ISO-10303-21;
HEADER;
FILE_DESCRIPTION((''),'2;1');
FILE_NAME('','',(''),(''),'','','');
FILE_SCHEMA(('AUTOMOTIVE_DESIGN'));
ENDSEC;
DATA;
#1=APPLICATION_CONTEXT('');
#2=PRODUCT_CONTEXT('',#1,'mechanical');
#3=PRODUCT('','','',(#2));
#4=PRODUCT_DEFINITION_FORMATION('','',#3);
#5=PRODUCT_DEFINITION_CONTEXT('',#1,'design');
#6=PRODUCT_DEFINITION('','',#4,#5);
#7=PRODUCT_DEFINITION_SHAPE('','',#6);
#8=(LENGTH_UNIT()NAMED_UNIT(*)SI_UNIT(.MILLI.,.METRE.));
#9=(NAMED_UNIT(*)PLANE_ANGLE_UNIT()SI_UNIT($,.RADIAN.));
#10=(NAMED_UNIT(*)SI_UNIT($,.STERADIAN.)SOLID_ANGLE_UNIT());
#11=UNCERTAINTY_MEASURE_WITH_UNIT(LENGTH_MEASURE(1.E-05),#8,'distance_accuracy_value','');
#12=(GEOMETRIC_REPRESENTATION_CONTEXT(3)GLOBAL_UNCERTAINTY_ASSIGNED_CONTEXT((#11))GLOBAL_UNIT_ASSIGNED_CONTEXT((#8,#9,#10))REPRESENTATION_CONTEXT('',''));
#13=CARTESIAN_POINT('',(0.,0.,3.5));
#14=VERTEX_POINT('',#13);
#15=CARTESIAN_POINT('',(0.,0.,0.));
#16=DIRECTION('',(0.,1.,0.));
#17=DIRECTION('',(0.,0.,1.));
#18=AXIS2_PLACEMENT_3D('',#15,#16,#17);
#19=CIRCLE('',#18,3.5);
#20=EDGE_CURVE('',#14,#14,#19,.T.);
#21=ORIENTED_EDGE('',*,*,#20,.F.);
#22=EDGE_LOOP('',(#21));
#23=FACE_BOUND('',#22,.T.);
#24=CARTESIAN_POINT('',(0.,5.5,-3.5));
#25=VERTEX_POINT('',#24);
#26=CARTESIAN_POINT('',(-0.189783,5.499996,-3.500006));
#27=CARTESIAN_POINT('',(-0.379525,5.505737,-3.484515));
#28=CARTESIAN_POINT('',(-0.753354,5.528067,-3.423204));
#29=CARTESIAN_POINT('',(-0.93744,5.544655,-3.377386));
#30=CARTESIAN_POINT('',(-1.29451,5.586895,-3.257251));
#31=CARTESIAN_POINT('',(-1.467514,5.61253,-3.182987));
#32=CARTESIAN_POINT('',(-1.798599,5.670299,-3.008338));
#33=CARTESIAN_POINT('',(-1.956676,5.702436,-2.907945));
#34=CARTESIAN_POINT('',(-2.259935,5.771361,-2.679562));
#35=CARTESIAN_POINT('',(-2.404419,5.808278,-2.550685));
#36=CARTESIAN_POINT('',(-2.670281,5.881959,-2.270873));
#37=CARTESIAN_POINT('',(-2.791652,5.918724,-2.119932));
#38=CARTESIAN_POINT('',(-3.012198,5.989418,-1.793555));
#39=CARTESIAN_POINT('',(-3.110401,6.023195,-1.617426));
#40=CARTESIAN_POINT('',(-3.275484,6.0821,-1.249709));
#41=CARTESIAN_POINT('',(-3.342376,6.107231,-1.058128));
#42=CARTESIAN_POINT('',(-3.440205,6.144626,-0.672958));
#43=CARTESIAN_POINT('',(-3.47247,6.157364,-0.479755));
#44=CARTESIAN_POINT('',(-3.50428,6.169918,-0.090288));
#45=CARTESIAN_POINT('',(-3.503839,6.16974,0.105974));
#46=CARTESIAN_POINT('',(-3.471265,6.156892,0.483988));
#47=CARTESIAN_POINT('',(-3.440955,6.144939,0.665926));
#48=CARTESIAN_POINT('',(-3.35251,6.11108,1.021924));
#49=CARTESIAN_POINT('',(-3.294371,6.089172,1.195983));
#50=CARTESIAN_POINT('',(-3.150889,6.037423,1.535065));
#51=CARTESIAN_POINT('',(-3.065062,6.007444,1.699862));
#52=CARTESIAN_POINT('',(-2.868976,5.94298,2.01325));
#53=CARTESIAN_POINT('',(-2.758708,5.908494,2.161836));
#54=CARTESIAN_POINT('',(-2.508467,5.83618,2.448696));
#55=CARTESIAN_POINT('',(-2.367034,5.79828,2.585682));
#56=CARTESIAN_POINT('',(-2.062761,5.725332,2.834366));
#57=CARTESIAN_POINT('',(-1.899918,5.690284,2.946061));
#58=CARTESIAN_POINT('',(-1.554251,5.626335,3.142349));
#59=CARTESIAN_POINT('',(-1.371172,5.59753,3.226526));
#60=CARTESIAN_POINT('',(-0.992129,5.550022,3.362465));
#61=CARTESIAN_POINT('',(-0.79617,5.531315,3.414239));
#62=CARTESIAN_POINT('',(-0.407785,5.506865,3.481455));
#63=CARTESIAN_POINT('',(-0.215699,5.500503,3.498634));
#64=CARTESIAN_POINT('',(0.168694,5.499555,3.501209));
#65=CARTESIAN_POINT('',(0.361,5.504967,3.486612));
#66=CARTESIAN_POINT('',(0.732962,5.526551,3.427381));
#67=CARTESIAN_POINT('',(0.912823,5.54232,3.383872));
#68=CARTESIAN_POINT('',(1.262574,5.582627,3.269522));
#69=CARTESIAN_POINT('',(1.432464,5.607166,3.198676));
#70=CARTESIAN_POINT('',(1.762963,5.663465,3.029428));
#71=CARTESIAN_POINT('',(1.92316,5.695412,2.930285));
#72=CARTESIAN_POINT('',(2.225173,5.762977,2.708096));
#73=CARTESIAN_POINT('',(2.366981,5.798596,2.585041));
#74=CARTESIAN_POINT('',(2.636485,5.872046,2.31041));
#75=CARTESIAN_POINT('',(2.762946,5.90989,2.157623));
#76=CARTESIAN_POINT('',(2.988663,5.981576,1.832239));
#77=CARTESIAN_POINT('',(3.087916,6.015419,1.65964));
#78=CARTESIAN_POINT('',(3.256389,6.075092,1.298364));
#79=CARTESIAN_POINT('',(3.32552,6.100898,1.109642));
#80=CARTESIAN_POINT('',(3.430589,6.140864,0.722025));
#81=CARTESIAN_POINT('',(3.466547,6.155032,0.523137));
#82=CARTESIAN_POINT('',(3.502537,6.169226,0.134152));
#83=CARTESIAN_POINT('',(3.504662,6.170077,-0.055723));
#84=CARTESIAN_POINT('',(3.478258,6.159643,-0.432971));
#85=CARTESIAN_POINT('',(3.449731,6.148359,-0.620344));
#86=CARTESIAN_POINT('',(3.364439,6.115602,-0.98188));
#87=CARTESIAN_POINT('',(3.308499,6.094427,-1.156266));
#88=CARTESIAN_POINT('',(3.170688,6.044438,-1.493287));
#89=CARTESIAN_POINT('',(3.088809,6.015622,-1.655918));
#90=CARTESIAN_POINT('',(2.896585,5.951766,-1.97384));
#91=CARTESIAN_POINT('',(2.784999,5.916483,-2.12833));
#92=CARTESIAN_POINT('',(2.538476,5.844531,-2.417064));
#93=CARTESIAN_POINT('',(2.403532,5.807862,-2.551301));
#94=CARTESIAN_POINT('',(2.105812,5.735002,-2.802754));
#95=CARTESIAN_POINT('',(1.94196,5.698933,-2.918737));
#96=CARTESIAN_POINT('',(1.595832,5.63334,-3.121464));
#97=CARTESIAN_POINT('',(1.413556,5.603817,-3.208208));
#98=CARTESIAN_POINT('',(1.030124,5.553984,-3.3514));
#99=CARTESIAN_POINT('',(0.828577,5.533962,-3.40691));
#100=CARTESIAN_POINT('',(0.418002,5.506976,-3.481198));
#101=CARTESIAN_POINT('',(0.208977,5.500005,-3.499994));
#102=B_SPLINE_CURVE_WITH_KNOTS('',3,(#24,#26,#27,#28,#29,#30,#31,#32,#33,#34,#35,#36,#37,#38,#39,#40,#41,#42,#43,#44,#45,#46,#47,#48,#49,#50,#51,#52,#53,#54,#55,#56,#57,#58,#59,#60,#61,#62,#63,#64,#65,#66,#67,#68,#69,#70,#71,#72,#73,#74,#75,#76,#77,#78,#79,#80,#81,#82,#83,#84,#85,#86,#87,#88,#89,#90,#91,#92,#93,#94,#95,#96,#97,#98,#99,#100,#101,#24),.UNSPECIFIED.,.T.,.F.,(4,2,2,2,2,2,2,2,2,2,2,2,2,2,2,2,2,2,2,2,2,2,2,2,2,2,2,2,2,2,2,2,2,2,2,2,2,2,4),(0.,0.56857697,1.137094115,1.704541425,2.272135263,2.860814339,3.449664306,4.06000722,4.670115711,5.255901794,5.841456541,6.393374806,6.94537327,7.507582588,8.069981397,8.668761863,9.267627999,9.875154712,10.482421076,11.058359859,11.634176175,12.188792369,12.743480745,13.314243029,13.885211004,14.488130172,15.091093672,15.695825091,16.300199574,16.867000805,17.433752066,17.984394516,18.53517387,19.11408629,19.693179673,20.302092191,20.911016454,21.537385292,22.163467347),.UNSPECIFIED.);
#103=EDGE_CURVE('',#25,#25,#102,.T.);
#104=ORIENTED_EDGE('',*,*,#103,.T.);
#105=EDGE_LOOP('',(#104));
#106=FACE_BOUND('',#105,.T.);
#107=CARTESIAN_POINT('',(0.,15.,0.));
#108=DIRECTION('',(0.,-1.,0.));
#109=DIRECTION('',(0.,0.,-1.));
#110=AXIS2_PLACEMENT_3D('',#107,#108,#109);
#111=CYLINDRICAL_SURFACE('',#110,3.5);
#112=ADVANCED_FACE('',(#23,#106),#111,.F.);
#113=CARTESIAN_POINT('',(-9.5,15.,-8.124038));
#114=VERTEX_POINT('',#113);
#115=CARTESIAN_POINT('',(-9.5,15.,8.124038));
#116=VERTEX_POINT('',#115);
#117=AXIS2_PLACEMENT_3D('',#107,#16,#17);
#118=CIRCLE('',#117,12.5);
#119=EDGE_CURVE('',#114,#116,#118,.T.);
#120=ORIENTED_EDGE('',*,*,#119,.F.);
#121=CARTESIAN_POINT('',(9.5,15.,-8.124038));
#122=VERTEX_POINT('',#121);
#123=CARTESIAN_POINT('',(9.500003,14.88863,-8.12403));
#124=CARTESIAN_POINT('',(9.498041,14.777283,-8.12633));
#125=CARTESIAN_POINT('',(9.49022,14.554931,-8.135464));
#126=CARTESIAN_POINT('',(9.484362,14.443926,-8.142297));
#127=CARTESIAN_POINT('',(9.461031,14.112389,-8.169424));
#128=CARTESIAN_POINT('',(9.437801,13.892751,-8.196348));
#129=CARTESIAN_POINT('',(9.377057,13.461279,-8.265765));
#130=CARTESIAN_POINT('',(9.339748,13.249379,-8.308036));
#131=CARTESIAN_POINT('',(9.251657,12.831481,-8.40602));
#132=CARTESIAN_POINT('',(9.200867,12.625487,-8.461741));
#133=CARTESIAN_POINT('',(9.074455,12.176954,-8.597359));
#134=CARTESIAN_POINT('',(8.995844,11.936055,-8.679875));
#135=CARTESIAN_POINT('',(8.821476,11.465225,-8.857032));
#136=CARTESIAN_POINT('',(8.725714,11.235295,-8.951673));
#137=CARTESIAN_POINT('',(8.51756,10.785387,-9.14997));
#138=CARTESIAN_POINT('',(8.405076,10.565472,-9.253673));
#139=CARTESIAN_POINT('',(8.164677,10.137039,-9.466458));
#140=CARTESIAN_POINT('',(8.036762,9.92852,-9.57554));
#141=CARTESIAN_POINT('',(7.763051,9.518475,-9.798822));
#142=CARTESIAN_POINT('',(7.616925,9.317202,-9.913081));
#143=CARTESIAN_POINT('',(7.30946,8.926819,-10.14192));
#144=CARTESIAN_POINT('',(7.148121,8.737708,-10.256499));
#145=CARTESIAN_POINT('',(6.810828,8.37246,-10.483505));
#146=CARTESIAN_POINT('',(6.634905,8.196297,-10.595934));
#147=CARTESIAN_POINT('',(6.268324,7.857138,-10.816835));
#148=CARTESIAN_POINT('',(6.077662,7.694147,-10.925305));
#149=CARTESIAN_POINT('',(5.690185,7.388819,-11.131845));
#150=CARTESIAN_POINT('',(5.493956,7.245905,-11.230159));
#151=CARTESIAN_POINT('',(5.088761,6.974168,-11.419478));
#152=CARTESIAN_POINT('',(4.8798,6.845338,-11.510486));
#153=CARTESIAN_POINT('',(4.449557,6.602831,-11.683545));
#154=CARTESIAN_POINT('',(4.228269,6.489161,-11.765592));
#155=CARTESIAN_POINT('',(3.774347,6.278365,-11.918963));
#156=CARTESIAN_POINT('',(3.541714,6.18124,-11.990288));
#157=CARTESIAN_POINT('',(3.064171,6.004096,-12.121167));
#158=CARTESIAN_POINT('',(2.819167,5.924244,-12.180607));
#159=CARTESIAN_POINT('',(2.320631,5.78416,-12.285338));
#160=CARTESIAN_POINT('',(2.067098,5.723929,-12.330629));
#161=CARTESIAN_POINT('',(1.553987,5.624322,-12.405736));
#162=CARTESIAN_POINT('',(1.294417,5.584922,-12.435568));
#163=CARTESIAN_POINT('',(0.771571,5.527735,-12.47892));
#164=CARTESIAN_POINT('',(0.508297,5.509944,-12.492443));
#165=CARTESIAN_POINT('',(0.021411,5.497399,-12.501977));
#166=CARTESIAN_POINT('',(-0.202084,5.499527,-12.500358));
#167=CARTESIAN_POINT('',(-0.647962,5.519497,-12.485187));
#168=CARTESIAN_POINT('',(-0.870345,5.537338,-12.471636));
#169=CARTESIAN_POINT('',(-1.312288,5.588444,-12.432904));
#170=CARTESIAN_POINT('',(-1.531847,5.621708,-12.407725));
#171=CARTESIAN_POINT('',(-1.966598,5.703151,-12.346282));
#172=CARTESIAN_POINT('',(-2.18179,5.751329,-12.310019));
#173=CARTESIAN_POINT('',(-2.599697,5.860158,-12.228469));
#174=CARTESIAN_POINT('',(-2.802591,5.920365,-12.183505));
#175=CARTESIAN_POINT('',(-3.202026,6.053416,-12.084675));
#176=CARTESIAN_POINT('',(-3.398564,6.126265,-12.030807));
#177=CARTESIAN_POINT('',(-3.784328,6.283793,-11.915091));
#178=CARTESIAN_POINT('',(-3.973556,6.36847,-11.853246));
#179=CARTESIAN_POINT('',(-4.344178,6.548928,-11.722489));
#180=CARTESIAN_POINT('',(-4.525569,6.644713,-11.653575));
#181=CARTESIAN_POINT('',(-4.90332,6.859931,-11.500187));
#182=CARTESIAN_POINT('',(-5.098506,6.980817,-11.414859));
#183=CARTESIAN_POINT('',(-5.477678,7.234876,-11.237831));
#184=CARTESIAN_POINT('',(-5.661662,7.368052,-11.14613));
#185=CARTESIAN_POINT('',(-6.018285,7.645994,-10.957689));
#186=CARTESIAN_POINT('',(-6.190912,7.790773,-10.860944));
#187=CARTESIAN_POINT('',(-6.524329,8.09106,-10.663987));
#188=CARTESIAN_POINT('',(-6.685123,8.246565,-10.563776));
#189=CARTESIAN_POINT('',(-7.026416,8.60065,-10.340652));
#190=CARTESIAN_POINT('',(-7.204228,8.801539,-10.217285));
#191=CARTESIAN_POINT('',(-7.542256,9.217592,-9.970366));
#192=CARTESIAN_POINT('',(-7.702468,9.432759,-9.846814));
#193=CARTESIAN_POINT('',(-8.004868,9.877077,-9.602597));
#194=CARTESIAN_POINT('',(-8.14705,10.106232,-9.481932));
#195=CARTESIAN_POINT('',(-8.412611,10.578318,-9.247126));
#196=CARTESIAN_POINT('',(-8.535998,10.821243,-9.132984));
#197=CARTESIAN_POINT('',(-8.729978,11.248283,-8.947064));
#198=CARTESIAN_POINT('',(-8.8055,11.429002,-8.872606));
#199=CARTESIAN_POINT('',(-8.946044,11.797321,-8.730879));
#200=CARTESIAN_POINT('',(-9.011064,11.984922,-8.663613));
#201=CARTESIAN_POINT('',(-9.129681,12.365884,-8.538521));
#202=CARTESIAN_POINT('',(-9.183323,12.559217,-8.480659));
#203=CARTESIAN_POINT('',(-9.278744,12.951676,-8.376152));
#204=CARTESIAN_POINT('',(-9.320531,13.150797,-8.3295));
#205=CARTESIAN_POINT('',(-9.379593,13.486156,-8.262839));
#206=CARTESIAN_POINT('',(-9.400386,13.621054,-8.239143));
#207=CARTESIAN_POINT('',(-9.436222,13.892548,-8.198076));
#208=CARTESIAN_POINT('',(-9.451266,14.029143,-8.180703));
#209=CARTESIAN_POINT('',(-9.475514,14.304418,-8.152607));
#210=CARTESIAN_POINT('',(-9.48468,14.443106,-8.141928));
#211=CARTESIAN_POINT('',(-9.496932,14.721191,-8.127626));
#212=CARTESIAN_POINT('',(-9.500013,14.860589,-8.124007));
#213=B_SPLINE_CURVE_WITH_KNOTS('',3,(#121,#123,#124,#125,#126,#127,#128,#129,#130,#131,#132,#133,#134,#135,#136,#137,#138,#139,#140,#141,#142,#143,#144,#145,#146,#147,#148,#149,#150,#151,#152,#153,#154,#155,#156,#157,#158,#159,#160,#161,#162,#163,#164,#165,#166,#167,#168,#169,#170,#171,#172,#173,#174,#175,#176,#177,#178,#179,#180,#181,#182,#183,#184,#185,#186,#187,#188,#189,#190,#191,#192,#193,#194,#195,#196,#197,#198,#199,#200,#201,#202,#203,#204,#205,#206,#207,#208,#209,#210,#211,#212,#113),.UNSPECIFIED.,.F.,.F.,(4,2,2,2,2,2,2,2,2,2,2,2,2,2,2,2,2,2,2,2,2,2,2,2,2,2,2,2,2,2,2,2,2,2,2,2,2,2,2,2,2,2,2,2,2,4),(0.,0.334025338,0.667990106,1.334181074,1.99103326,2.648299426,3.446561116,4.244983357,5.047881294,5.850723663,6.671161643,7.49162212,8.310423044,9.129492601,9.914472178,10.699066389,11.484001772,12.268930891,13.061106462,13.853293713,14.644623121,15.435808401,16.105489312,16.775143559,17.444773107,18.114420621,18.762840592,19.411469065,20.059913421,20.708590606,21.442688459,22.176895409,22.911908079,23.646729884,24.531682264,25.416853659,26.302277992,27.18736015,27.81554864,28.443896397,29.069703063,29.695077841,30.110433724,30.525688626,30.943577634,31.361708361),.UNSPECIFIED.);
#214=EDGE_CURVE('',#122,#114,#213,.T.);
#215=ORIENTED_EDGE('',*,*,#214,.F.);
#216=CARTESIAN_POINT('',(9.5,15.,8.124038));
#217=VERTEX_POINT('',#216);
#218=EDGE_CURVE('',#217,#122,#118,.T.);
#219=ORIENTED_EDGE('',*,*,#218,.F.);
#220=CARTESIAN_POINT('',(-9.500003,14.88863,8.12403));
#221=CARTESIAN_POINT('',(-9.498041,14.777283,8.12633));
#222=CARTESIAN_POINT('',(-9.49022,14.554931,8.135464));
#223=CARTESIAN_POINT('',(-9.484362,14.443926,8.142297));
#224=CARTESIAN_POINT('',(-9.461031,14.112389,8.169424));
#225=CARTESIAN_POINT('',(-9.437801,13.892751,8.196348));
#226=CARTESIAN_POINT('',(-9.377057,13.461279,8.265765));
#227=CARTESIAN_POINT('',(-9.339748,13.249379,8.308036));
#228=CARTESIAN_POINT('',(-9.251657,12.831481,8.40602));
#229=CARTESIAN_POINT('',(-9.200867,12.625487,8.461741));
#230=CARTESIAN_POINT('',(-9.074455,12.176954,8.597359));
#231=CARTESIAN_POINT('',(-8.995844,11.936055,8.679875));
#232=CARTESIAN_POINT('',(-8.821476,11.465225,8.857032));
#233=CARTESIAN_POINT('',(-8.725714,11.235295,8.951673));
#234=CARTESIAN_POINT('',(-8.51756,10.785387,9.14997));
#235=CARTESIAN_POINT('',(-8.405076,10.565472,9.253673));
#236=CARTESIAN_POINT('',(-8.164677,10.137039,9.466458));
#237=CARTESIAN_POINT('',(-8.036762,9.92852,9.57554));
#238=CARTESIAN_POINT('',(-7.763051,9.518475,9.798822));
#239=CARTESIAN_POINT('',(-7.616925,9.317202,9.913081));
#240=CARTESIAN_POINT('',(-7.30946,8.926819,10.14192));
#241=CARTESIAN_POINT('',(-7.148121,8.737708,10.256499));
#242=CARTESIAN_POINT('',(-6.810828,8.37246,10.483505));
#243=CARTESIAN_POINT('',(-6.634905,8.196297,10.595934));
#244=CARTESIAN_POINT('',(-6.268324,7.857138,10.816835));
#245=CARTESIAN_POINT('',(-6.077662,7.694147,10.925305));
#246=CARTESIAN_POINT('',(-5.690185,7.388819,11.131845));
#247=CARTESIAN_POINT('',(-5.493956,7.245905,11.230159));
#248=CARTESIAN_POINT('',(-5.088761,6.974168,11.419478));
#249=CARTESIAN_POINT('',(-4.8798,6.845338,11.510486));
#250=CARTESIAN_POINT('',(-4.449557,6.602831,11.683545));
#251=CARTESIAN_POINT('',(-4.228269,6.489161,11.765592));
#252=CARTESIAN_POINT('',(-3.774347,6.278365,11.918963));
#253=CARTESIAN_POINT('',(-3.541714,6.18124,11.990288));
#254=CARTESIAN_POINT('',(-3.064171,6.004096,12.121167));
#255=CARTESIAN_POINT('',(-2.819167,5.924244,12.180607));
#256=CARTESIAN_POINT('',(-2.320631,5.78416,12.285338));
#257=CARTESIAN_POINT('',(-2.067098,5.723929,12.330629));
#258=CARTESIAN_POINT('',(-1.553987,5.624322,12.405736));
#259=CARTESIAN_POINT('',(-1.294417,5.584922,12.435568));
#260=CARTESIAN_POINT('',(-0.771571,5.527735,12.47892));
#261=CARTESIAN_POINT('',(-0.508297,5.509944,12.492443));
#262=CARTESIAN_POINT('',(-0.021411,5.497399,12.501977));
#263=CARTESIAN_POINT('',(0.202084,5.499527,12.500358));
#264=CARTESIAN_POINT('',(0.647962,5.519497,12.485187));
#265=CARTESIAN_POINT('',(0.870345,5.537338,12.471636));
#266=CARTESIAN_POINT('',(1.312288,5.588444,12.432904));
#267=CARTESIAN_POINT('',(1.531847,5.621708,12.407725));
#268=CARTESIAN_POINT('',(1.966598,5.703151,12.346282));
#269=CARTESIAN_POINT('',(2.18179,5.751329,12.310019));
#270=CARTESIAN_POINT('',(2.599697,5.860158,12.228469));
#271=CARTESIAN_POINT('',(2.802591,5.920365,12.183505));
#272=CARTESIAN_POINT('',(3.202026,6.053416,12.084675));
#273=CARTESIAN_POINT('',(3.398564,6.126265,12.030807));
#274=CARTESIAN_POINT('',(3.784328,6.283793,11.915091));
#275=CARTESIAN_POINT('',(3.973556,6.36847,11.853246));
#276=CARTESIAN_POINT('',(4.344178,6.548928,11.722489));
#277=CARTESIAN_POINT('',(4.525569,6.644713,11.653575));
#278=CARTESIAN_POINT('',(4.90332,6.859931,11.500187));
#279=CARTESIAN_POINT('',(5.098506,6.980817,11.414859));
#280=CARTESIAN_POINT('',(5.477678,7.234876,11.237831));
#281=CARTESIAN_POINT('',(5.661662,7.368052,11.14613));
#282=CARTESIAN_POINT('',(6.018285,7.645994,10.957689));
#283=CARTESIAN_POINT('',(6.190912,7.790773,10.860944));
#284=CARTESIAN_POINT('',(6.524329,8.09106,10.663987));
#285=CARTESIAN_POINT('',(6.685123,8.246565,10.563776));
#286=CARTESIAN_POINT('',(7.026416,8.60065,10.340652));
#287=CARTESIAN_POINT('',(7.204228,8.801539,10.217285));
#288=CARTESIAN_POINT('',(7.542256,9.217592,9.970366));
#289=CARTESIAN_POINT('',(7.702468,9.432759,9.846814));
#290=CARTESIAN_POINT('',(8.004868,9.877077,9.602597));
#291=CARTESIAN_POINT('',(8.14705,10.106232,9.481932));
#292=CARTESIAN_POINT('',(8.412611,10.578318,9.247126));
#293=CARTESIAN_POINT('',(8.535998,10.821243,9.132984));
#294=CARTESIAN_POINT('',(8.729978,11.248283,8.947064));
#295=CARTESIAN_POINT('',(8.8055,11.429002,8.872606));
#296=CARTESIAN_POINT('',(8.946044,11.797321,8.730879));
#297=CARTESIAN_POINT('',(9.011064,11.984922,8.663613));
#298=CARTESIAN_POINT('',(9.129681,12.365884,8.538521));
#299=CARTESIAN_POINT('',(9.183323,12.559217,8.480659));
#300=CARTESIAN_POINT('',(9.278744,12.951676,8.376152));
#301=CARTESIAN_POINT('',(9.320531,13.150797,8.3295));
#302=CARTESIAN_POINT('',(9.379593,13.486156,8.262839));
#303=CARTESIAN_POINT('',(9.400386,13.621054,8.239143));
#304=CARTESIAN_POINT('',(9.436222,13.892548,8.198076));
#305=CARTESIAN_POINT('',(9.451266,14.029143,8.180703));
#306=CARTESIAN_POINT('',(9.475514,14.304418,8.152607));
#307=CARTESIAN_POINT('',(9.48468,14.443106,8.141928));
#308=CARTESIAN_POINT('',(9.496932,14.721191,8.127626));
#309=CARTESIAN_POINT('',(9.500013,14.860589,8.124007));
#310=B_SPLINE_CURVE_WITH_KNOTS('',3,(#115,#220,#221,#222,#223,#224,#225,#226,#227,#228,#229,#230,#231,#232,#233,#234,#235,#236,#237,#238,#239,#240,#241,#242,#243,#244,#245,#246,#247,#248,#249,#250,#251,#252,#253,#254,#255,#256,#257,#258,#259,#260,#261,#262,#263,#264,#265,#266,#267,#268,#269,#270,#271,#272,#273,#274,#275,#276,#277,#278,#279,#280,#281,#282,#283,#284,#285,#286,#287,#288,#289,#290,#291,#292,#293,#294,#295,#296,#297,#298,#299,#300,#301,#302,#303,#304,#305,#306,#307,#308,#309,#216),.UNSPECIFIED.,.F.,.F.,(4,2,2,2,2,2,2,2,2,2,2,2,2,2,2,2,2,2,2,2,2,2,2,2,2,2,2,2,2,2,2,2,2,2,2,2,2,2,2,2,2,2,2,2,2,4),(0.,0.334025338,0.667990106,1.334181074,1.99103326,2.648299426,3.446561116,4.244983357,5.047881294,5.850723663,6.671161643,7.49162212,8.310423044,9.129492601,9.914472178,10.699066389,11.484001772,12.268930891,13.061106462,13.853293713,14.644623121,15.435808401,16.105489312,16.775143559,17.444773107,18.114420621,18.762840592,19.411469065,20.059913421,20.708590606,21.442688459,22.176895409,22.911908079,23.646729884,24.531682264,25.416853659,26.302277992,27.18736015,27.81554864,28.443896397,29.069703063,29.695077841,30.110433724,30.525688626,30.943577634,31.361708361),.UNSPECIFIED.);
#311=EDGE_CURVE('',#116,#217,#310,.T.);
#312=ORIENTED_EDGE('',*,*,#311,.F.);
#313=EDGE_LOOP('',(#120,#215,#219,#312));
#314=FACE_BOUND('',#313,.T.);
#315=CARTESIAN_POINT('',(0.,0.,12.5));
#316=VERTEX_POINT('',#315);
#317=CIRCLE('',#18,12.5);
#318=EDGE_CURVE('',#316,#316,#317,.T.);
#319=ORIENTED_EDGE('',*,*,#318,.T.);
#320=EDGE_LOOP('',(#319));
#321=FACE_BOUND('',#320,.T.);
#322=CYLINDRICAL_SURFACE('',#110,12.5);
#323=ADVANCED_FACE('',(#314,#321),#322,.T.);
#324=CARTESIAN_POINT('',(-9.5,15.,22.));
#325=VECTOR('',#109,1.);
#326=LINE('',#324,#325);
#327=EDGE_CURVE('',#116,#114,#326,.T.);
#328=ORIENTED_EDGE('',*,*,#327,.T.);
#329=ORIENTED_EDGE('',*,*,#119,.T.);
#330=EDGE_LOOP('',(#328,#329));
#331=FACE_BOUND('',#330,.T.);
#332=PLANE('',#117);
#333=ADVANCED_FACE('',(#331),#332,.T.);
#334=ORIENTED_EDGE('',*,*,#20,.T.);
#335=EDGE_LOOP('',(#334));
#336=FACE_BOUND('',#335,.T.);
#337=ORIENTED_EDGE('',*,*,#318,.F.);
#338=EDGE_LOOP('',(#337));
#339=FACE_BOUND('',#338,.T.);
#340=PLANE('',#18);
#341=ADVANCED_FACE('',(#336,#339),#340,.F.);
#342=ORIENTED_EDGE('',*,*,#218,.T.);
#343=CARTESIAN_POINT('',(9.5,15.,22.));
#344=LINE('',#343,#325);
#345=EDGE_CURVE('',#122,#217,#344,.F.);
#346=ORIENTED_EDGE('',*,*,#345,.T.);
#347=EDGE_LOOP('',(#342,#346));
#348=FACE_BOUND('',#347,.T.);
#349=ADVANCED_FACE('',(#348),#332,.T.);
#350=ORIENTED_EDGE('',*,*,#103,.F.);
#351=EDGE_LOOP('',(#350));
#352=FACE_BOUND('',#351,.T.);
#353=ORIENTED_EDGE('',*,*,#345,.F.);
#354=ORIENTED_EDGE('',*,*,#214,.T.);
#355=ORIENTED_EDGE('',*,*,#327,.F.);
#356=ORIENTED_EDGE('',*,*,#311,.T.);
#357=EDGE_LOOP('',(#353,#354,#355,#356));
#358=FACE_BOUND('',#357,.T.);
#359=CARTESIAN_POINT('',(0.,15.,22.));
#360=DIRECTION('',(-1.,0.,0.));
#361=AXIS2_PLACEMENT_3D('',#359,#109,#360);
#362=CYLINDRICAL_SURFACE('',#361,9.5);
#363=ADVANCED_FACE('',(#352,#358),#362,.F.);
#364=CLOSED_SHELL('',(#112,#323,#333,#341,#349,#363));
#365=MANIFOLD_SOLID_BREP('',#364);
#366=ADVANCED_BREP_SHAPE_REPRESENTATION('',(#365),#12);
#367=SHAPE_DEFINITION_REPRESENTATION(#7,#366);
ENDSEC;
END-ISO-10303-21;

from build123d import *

# Parameters (mm, degrees)
SKETCH1_R               = 12.5
SKETCH1_R_2             = 3.5
BOSS_EXTRUDE1_DEPTH     = 15
CUT_EXTRUDE1_DEPTH      = 22
CUT_EXTRUDE1_DEPTH_BACK = 22
SKETCH2_R               = 9.5


with BuildPart() as part:
    # Sketch1 → Boss-Extrude1 (new body)
    with BuildSketch(Plane(origin=(0, 0, 0), x_dir=(1, 0, 0), z_dir=(0, 1, 0))):
        Circle(SKETCH1_R)
        Circle(SKETCH1_R_2, mode=Mode.SUBTRACT)
    extrude(amount=BOSS_EXTRUDE1_DEPTH)

    # Sketch2 → Cut-Extrude1 (cut, two sides: drawn at the far end of the back side and taken through both)
    with BuildSketch(Plane.XY.offset(-CUT_EXTRUDE1_DEPTH_BACK)):
        with Locations((0, 15)):
            Circle(SKETCH2_R)
    extrude(amount=CUT_EXTRUDE1_DEPTH + CUT_EXTRUDE1_DEPTH_BACK, mode=Mode.SUBTRACT)


solid = part.part
